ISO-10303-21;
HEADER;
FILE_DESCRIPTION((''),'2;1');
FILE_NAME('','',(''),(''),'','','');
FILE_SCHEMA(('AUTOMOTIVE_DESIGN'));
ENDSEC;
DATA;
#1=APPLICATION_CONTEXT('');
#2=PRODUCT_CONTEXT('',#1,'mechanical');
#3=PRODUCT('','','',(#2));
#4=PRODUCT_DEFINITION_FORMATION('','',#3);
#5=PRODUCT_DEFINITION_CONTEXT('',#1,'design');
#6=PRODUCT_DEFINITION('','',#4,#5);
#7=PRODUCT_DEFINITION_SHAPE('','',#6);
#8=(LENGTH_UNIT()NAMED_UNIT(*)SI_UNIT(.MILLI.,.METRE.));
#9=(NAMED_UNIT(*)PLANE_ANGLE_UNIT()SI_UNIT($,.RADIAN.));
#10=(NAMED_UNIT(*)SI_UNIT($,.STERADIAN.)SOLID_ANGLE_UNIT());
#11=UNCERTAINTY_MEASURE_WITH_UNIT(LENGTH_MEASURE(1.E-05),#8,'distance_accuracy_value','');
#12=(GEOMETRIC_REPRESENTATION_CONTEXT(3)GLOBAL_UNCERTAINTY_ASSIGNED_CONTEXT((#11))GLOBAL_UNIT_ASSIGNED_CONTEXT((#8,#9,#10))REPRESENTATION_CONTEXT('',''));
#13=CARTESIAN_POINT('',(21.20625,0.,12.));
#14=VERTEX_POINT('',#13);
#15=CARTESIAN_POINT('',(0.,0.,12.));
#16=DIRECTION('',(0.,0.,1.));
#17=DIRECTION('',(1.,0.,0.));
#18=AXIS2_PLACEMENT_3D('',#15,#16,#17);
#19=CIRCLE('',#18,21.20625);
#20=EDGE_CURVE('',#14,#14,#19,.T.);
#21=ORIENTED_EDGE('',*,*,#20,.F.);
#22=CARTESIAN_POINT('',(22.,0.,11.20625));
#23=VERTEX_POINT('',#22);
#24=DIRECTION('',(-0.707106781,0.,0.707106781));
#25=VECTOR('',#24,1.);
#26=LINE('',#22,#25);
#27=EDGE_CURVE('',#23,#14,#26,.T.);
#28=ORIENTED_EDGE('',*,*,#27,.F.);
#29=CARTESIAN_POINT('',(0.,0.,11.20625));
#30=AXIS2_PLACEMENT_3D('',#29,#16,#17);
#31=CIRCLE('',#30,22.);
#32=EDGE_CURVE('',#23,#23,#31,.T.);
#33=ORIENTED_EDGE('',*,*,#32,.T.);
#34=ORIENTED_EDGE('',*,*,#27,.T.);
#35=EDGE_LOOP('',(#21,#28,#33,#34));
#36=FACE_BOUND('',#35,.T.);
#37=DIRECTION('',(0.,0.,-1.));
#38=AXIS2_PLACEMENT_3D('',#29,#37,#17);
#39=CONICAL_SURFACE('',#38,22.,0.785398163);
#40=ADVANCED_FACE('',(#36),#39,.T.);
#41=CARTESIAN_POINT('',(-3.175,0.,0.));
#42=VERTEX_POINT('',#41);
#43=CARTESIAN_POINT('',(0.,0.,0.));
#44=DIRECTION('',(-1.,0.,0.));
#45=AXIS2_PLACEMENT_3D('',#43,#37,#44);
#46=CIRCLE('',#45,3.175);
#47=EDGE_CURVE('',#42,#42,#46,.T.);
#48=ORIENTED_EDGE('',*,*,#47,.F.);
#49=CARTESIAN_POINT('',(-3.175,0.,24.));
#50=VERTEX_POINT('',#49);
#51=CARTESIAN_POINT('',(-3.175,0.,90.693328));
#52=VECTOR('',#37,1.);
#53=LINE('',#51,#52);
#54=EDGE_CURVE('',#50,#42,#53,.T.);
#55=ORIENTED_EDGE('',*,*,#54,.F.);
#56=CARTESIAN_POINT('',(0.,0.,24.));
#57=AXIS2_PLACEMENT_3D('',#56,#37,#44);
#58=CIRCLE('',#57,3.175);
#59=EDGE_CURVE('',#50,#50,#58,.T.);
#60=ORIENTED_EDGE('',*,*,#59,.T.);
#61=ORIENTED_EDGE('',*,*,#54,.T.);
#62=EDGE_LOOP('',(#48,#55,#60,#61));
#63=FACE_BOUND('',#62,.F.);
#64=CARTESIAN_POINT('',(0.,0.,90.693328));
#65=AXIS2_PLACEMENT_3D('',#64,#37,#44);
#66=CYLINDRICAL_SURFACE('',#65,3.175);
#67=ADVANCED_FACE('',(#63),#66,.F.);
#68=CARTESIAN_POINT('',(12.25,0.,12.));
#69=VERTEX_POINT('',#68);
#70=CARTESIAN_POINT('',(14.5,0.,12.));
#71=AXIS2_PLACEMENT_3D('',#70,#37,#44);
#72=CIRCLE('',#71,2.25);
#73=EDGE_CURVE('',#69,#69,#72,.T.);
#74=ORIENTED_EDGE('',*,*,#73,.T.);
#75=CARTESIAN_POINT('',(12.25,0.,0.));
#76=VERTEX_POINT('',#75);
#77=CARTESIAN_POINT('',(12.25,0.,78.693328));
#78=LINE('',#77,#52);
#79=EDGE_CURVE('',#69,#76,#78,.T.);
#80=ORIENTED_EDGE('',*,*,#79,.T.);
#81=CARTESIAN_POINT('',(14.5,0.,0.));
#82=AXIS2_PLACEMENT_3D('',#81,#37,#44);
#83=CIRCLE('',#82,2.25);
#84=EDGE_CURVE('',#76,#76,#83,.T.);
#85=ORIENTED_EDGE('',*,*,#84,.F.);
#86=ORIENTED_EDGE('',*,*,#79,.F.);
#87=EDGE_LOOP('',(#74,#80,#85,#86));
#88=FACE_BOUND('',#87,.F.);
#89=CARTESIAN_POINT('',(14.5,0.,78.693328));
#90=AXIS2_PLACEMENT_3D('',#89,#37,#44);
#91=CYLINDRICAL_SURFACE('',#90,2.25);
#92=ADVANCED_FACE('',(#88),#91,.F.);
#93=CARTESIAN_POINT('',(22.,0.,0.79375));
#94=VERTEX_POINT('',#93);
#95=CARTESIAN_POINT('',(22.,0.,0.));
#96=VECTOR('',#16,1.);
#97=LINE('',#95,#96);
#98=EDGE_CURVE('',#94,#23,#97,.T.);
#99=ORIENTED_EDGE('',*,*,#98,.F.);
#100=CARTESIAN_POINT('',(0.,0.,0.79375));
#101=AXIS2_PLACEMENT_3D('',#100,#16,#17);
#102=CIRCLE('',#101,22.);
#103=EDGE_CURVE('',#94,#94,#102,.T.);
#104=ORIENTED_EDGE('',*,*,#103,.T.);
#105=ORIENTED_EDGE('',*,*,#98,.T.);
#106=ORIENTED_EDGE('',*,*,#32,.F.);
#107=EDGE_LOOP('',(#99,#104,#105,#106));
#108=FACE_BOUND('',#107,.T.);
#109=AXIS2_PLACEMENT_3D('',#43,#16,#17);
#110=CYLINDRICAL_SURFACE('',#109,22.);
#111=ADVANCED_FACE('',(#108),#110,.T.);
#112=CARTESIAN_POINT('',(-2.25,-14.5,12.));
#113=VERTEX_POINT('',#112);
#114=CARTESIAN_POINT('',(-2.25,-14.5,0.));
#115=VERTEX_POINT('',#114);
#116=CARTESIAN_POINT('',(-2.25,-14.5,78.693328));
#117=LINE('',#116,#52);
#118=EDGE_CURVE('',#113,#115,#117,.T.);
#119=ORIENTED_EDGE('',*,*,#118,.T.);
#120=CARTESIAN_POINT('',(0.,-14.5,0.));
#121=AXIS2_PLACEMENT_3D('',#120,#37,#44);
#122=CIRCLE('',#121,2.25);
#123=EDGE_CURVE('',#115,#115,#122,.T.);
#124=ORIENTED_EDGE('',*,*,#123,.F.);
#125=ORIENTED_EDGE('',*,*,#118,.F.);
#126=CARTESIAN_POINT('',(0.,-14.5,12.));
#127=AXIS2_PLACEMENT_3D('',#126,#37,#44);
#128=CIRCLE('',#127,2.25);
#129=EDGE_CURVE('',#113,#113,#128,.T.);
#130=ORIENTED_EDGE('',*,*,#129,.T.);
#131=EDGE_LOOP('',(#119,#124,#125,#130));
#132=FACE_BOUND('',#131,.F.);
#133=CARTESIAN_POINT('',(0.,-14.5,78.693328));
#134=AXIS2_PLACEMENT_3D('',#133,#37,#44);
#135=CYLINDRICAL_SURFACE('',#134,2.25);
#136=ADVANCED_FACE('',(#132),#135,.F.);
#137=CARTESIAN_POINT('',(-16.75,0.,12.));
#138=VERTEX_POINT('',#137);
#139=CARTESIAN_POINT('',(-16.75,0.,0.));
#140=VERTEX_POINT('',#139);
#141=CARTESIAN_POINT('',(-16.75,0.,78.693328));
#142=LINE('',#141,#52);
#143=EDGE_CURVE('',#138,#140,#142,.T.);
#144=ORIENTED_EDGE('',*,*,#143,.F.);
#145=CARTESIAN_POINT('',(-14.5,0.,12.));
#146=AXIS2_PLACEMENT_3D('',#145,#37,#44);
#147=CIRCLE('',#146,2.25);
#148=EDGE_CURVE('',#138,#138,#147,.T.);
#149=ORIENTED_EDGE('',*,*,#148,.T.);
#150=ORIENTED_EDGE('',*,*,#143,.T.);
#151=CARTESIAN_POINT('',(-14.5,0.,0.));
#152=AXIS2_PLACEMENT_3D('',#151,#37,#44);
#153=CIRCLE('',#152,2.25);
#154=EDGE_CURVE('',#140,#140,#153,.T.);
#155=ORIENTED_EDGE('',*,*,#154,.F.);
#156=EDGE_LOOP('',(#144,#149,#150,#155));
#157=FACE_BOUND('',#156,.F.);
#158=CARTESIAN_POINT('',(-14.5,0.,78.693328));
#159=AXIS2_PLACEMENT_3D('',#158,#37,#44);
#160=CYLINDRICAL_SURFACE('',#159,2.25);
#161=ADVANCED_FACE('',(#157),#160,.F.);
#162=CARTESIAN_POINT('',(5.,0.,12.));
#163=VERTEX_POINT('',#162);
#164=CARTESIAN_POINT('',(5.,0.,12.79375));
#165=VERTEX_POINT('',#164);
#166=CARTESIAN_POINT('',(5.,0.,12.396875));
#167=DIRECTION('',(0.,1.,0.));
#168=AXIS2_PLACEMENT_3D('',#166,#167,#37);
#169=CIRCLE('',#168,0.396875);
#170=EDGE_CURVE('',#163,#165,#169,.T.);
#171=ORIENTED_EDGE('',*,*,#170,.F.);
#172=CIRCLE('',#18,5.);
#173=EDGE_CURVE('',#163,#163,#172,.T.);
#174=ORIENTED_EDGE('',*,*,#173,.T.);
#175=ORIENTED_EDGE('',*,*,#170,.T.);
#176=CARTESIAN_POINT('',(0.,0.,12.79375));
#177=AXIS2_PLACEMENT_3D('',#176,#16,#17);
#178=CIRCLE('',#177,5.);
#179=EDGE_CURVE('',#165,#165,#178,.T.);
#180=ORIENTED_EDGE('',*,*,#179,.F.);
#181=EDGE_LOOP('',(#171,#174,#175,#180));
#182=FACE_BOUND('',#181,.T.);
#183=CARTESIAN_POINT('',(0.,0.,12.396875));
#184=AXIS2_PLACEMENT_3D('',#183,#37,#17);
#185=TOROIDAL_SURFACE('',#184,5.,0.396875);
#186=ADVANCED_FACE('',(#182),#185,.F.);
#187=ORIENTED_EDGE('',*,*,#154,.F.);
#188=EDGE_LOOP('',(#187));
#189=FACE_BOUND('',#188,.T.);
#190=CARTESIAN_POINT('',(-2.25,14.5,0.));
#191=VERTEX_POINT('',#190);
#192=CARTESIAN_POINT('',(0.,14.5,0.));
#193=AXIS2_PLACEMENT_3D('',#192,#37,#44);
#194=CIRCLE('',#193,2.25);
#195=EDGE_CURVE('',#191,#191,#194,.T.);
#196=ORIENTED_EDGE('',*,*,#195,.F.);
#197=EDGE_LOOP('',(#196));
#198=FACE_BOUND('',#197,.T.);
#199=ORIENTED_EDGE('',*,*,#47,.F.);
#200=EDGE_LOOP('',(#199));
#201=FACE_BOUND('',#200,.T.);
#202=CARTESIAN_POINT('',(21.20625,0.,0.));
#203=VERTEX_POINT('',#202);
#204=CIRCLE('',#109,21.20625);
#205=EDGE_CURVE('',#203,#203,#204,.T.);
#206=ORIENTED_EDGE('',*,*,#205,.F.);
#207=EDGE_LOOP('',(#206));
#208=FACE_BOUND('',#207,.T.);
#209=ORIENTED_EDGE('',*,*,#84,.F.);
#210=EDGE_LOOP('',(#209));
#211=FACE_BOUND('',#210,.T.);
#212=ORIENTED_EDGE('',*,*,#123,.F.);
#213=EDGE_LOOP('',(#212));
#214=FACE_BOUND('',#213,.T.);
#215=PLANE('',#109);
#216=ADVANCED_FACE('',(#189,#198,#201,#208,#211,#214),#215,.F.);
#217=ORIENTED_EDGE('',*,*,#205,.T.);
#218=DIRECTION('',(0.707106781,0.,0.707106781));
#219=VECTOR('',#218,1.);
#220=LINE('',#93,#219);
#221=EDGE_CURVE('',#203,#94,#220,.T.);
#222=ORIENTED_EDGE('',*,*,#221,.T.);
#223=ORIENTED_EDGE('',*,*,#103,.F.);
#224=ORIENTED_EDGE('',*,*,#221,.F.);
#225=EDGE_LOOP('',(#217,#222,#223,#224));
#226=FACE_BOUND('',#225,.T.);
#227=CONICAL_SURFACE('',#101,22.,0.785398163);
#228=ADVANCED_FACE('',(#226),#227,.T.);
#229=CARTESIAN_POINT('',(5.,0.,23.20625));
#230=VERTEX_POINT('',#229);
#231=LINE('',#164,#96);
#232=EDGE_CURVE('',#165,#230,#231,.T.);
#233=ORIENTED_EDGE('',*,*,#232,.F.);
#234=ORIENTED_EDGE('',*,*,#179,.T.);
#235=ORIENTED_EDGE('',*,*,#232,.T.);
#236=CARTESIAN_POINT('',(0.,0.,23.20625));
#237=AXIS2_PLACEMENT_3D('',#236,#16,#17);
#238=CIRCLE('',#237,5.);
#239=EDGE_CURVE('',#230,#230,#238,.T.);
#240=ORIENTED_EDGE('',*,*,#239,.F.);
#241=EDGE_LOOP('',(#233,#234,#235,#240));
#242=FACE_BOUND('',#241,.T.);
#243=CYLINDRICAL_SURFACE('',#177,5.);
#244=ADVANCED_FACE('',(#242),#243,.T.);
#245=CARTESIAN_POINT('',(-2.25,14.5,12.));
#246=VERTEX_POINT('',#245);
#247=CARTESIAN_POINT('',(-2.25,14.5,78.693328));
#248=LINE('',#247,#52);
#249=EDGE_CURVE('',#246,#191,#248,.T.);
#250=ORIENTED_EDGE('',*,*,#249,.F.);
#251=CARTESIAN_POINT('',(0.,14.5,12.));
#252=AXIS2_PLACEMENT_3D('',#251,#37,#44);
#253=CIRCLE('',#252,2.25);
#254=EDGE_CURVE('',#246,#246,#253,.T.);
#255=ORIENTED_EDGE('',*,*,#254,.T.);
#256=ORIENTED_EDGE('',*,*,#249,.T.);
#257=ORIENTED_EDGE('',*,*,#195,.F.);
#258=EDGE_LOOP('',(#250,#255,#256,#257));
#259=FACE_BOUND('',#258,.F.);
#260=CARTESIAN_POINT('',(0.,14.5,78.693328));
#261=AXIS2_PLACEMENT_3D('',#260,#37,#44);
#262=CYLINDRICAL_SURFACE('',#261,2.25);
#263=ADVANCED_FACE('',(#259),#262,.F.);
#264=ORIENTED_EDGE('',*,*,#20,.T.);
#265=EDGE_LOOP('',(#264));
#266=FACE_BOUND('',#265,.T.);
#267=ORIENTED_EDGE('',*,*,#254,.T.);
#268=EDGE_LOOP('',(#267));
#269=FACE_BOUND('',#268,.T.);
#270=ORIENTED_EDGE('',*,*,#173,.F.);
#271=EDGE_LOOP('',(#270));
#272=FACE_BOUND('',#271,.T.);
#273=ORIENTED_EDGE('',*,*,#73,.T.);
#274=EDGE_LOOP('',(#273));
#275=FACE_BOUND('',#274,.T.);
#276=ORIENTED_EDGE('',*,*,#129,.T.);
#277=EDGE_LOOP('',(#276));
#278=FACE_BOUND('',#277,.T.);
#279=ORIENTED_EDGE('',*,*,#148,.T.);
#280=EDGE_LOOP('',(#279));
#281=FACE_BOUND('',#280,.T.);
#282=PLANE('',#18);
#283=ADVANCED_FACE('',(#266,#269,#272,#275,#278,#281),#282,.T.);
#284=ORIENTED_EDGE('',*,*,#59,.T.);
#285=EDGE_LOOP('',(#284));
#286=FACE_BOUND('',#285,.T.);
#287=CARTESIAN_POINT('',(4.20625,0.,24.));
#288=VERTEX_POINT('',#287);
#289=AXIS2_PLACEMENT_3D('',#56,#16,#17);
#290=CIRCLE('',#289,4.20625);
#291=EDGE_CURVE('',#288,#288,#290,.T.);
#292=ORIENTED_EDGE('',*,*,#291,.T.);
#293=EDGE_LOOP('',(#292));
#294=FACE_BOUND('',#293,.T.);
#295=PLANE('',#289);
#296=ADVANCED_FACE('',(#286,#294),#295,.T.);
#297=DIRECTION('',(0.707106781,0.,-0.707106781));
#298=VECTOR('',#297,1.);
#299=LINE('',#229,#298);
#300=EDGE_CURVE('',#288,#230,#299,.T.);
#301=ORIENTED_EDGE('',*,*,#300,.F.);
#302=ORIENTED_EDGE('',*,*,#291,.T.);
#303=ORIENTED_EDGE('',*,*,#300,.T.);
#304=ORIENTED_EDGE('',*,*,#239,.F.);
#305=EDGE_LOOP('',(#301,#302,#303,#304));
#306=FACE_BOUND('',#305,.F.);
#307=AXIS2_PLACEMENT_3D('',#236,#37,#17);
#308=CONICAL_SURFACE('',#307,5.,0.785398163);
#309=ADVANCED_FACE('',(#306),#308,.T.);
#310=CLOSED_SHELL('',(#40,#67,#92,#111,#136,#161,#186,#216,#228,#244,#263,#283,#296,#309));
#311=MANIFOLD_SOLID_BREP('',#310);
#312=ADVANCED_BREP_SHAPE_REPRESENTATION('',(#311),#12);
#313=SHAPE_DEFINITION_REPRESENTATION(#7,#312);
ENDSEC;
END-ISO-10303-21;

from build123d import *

# Parameters (mm, degrees)
F3_D    = 6.35
F5_D    = 4.5
F6_SIZE = 0.79375


with BuildPart() as f1:
    # F0 (on Front) → F1 (revolve)
    with BuildSketch(Plane.XZ):
        with BuildLine():
            Line((0, 24), (0, 0))
            Line((0, 0), (22, 0))
            Line((22, 0), (22, 12))
            Line((22, 12), (5, 12))
            ThreePointArc((5, 12), (4.603125, 12.396875), (5, 12.79375))
            Line((5, 12.79375), (5, 24))
            Line((5, 24), (0, 24))
        make_face()
    revolve(axis=Axis((0, 0, 12), (0, 0, 1)))

    # F3 (through all)
    with Locations(Plane.XY.offset(24)):
        with Locations((0, 0)):
            Hole(F3_D / 2)

    # F5 (through all)
    with Locations(Plane.XY.offset(12)):
        with Locations((0, 14.5), (-14.5, 0), (0, -14.5), (14.5, 0)):
            Hole(F5_D / 2)

    # F6
    f6_edges = [f1.edges().sort_by_distance(p)[0] for p in [
        (-22, 0, 12),
        (-22, 0, 0),
        (22, 0, 6),
        (-5, 0, 24),
    ]]
    chamfer(f6_edges, length=F6_SIZE)


solid = f1.part
